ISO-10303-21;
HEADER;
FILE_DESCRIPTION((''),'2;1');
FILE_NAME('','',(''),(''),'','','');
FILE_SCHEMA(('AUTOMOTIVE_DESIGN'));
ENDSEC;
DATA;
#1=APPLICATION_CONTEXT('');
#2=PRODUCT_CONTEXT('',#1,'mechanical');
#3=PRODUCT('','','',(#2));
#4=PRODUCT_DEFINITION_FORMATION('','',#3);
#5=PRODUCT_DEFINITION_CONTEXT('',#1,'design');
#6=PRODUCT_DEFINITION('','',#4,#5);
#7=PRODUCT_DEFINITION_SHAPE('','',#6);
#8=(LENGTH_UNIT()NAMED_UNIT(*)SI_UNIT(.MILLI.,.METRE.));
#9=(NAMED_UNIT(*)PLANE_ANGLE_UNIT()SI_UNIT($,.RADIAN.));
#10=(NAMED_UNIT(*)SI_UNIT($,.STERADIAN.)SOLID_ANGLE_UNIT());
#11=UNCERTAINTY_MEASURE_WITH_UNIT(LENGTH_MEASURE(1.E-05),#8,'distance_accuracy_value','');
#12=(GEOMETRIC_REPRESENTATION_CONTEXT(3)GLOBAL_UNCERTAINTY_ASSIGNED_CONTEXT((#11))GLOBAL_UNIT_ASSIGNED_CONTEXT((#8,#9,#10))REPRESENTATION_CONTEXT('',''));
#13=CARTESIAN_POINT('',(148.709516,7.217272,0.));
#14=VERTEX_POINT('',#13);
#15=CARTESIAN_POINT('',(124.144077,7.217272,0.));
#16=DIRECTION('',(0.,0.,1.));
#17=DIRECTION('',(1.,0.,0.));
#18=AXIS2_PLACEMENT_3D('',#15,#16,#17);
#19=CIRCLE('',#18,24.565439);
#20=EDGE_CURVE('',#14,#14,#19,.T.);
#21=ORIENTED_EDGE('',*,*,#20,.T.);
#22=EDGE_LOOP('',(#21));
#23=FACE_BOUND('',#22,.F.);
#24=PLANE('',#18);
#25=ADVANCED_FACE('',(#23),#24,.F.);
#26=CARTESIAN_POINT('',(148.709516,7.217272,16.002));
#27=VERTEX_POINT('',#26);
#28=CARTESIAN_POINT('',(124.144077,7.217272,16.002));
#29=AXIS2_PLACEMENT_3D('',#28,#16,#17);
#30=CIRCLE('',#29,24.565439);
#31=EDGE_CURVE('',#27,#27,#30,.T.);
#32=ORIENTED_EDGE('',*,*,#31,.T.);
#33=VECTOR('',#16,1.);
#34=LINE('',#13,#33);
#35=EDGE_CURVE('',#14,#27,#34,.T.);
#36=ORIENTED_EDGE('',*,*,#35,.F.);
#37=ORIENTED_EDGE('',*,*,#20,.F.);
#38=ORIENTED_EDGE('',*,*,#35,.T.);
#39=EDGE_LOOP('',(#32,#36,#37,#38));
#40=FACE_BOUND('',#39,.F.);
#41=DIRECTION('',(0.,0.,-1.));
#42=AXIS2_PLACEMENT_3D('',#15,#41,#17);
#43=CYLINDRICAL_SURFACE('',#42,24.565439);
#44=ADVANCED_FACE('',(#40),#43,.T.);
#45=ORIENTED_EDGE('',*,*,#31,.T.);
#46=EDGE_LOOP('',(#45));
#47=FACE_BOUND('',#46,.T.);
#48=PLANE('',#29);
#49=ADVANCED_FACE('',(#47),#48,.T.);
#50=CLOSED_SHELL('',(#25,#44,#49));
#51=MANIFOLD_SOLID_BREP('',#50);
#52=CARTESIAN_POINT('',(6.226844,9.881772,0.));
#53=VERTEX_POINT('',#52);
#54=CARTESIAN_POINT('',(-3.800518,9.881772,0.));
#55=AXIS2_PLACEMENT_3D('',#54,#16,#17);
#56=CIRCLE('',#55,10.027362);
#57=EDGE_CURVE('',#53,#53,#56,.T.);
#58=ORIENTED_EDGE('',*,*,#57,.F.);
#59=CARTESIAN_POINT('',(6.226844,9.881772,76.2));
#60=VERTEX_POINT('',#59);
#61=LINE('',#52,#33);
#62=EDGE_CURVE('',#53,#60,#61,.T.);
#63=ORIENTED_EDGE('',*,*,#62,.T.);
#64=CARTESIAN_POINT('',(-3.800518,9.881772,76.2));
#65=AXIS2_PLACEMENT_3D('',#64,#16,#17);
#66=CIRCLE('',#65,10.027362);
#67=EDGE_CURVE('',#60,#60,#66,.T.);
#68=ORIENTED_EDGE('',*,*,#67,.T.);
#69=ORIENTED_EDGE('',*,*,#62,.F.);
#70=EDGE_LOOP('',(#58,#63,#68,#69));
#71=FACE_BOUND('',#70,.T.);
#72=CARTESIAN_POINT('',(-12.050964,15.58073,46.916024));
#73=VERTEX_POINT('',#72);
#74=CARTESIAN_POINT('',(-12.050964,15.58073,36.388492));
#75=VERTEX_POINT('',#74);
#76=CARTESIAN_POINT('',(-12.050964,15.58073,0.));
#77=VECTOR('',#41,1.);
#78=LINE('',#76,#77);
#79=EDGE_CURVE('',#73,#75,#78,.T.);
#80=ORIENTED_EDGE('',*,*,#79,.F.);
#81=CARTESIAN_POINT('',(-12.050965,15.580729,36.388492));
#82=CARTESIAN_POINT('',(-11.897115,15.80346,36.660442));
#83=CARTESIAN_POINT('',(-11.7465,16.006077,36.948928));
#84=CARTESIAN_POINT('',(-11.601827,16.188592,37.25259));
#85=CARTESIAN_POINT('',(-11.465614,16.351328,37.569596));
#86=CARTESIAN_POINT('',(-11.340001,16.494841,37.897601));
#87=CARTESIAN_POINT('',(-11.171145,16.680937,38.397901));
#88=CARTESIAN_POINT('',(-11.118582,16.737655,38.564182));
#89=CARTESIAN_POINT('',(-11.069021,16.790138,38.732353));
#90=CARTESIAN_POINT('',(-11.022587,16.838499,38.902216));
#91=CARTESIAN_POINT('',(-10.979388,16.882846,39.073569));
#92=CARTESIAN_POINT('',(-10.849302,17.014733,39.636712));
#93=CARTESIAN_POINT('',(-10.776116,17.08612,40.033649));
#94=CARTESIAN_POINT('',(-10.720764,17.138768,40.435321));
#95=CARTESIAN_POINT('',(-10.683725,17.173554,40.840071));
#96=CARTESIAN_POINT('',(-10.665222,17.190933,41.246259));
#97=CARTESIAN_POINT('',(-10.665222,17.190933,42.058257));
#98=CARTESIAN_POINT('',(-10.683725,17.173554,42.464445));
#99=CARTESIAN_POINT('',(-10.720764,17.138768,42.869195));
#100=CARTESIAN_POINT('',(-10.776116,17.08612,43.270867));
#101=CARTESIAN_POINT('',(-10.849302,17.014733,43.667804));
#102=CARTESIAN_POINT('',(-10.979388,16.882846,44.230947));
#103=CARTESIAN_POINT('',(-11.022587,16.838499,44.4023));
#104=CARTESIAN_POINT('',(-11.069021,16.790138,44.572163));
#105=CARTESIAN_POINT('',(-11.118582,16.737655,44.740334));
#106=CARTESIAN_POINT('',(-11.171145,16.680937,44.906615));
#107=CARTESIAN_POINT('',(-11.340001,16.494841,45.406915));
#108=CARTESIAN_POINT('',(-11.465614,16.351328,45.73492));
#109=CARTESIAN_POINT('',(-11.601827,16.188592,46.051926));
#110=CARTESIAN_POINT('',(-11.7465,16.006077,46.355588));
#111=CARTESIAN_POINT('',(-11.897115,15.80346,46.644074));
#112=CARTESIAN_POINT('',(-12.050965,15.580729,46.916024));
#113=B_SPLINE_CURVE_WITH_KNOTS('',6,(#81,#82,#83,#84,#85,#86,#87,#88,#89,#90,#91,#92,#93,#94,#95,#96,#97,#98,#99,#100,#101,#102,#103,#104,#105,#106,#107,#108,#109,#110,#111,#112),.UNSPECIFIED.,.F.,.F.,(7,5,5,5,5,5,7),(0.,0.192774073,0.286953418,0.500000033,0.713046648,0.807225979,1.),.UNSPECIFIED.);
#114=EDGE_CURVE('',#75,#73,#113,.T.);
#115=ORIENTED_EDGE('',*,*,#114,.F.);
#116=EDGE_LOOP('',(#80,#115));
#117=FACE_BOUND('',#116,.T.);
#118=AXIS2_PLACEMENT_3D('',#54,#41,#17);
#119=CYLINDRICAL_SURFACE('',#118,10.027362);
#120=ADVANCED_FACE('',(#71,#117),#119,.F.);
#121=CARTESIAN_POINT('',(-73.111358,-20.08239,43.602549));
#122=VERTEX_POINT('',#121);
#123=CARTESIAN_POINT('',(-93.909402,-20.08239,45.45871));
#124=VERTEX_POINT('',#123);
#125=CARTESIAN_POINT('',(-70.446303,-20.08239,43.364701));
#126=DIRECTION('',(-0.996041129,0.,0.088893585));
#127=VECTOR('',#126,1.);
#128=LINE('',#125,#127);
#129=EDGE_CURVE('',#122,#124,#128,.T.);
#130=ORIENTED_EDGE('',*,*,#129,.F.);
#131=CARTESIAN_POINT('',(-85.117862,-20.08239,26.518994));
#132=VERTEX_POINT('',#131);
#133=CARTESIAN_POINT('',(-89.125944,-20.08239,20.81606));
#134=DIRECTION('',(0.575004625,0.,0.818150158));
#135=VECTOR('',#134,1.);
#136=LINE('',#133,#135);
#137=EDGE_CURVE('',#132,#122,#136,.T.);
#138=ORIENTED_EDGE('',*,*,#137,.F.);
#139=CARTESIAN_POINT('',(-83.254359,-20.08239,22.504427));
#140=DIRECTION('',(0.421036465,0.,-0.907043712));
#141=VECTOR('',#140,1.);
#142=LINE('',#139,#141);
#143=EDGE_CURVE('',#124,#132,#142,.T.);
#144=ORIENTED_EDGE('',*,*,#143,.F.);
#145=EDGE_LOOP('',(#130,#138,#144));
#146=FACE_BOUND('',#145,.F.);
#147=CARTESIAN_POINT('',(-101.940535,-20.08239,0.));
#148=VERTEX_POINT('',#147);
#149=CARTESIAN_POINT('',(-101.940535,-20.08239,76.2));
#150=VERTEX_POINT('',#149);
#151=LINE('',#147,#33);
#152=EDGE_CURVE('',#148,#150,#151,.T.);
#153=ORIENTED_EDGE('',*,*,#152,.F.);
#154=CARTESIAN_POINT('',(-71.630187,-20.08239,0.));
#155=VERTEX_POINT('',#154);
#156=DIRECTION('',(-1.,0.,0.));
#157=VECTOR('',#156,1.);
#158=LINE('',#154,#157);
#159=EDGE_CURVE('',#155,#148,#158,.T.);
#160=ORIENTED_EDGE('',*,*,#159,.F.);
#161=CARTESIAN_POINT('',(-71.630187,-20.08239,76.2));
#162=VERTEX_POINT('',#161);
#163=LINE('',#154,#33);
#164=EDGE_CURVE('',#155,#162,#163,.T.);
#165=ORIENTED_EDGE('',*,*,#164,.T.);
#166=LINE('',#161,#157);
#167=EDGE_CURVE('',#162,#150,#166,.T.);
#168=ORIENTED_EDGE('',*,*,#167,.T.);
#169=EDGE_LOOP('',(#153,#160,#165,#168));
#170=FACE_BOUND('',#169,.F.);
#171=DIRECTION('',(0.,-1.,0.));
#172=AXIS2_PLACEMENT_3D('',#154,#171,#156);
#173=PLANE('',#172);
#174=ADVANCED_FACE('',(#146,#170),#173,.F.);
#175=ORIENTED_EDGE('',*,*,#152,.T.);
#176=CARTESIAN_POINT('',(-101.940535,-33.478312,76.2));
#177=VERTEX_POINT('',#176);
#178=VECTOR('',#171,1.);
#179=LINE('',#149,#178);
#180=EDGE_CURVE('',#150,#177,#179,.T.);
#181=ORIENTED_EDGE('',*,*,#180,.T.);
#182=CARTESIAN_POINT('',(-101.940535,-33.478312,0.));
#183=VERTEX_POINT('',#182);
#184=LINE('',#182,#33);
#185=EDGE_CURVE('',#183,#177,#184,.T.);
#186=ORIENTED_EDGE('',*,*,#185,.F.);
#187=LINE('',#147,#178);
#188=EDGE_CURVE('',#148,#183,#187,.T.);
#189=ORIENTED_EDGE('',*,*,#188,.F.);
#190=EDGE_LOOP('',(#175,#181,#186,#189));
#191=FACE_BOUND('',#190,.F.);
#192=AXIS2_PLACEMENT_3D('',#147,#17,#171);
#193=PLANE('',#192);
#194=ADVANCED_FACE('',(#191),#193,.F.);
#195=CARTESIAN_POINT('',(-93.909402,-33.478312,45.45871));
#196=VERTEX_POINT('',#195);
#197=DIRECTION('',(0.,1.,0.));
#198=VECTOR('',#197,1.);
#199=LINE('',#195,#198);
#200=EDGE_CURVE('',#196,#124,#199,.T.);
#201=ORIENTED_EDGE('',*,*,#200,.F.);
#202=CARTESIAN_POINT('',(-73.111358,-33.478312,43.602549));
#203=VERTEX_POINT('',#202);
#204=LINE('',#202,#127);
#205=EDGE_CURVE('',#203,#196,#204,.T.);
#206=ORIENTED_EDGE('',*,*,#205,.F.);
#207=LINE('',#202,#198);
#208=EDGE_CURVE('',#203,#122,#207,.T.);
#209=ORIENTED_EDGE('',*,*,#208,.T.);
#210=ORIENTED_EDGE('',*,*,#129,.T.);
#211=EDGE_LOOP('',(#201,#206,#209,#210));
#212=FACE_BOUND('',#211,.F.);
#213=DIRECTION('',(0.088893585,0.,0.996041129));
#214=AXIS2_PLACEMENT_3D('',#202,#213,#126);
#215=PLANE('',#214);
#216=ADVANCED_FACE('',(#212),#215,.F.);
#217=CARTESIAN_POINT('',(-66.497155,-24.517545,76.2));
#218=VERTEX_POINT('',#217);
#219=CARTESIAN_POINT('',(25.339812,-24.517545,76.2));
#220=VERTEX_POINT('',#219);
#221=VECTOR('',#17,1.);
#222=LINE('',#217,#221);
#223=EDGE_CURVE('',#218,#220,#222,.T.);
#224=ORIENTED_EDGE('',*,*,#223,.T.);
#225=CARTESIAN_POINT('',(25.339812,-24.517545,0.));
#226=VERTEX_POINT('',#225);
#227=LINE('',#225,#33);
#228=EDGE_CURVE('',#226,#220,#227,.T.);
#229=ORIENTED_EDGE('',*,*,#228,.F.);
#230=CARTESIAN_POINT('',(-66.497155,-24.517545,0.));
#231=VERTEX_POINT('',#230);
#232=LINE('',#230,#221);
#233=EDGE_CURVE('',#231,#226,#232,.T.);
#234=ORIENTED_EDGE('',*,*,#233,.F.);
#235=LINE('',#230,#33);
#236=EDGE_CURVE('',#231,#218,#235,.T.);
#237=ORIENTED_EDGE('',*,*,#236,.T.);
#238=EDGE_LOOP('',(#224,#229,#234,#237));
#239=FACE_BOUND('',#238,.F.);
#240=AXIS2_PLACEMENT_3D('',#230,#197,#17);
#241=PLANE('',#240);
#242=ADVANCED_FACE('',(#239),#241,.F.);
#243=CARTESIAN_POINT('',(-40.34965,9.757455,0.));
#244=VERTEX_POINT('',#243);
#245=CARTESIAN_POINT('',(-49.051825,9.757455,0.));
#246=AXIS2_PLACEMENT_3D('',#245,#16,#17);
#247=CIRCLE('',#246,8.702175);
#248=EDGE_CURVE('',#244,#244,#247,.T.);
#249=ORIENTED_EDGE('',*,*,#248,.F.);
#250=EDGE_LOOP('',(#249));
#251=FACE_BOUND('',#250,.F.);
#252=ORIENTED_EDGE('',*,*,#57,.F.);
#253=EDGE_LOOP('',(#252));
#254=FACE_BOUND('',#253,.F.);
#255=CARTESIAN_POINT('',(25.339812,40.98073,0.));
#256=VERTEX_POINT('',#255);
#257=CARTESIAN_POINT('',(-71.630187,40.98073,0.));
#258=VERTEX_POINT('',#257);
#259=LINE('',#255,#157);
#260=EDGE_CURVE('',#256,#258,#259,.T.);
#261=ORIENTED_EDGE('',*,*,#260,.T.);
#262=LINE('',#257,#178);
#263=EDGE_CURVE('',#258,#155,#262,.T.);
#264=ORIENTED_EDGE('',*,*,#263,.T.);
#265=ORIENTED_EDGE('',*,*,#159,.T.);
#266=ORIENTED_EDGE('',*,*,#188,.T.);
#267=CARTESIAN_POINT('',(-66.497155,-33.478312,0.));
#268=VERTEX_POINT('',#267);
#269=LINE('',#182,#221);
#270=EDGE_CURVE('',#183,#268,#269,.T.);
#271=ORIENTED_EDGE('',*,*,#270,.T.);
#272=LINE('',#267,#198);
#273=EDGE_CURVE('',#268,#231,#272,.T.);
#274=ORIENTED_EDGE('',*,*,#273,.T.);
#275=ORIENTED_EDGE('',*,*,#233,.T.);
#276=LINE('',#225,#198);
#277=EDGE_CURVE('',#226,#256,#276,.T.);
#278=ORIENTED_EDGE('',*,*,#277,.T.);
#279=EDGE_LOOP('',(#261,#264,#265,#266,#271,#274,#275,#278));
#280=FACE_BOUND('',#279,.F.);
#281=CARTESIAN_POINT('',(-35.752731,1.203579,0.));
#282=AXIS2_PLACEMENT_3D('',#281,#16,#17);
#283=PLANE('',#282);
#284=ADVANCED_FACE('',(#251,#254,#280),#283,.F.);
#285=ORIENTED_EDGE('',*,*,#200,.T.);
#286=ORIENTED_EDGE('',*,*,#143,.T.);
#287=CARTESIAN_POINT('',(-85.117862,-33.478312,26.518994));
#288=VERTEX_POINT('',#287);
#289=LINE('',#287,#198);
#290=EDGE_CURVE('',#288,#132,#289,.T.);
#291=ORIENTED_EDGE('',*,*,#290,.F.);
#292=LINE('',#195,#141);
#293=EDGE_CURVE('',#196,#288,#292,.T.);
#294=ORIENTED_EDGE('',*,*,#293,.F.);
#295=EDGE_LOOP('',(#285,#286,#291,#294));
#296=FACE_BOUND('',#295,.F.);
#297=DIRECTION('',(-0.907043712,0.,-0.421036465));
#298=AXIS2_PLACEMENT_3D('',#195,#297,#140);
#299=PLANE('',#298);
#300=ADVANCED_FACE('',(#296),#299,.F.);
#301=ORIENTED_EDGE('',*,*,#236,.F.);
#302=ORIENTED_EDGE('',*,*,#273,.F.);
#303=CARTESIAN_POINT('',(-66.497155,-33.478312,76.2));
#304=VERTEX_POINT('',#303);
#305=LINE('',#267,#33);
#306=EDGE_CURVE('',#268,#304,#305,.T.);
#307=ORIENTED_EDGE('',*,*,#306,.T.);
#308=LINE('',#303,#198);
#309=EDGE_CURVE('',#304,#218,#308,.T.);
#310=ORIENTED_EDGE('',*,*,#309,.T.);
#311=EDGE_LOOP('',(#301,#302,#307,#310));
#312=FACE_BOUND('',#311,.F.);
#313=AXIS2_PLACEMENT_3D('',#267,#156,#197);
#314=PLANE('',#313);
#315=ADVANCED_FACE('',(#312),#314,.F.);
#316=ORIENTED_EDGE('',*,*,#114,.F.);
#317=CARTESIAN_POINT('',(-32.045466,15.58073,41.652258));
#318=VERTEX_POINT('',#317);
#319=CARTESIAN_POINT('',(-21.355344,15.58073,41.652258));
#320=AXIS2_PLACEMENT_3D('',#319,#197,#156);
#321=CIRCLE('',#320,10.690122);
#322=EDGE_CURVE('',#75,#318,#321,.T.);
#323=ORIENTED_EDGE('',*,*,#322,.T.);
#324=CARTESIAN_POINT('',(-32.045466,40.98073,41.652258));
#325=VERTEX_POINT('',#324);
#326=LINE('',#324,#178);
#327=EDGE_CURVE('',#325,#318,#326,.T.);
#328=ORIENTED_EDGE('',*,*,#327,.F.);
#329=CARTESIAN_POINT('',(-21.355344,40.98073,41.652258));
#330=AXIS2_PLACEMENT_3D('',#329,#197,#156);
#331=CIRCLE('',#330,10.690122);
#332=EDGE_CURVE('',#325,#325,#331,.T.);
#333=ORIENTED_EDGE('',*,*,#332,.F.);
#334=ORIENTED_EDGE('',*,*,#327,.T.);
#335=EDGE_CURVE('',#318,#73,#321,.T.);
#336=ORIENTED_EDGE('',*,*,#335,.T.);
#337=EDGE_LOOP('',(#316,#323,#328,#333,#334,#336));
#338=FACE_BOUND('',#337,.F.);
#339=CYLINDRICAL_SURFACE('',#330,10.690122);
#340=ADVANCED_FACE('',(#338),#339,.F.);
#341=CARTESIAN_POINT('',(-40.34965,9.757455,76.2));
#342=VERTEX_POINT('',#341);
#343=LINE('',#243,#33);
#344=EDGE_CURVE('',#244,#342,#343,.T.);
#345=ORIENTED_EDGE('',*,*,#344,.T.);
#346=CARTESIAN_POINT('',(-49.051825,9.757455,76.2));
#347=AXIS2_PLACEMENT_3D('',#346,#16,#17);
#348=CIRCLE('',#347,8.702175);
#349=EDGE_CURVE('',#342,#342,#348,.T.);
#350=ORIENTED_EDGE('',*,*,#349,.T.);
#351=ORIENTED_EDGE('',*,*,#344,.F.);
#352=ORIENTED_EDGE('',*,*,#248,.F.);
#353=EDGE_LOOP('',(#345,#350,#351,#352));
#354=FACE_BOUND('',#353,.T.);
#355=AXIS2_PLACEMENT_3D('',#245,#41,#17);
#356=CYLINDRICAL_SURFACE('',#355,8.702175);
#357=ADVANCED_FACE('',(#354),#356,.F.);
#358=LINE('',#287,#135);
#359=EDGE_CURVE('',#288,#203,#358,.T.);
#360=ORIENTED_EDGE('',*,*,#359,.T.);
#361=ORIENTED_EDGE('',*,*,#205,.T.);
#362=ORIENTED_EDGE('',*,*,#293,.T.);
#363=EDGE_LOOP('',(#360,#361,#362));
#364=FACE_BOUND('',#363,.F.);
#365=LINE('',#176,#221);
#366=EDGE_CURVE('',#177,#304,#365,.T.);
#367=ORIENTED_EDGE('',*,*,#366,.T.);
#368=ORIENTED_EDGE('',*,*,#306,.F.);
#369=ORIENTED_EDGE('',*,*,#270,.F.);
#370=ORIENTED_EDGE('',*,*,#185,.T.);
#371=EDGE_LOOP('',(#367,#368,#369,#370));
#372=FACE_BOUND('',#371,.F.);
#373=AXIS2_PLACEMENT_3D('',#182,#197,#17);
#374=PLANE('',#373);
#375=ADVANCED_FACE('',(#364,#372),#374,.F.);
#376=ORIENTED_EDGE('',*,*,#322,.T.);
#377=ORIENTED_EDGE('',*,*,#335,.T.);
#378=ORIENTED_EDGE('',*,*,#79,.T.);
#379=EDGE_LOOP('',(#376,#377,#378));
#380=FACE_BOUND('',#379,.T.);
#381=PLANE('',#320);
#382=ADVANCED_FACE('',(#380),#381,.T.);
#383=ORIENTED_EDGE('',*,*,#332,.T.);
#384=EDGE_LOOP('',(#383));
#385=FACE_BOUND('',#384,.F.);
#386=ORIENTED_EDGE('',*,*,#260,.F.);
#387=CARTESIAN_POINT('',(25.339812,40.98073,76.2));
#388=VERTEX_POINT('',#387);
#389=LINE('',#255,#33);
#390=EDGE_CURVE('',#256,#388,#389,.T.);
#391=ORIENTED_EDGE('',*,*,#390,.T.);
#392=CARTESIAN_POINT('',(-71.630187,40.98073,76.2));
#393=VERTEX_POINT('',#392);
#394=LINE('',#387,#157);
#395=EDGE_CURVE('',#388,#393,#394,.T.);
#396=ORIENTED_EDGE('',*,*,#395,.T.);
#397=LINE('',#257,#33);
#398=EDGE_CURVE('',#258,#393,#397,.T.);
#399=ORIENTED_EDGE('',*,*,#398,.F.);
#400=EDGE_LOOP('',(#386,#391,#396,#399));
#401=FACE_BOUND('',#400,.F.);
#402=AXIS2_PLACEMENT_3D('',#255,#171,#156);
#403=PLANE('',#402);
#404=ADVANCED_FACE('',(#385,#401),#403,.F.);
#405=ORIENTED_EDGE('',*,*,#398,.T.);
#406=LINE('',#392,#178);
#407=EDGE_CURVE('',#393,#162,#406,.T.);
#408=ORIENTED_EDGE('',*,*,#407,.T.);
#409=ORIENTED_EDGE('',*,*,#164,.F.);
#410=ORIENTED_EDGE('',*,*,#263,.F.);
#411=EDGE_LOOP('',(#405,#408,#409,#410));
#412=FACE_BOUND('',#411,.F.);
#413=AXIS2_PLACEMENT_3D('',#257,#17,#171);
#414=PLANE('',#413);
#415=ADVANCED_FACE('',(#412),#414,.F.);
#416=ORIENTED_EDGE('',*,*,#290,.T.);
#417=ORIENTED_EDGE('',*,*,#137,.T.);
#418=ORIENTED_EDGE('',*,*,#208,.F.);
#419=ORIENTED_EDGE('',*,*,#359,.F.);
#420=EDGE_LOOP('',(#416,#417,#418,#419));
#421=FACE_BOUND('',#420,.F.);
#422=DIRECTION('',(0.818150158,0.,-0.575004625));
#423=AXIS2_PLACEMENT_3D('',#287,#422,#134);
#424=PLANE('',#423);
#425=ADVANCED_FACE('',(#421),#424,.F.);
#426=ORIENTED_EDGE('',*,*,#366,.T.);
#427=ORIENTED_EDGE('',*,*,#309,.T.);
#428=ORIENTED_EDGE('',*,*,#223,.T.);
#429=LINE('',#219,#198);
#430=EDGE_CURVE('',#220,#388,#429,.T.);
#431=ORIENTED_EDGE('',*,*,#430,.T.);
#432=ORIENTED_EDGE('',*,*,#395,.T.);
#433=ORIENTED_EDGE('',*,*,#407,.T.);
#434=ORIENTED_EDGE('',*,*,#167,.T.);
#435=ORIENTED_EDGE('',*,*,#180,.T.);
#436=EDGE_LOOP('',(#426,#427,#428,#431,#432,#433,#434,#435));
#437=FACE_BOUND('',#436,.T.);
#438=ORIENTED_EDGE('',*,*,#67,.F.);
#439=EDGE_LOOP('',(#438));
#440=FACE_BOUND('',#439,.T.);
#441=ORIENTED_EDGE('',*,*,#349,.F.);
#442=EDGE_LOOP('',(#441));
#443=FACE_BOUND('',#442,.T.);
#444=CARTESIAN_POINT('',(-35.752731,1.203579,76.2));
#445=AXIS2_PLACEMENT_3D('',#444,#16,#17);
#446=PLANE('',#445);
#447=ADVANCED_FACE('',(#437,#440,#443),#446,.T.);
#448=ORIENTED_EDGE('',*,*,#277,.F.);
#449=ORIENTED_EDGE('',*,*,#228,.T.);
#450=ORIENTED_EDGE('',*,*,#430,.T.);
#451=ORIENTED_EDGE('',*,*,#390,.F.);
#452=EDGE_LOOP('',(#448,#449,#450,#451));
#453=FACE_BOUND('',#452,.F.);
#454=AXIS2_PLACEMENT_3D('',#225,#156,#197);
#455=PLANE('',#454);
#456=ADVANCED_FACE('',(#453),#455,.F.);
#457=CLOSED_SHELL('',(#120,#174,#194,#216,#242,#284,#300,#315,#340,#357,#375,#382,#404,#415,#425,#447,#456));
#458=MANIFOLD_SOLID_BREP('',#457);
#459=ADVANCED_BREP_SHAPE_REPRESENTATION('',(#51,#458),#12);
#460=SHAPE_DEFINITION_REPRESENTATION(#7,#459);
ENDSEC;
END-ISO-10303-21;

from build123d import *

# Parameters (mm, degrees)
F0_R     = 8.702175
F0_R_2   = 10.027362
F1_DEPTH = 76.2
F3_DEPTH = 49.53
F4_R     = 10.690122
F5_DEPTH = 25.4
F6_R     = 24.565439
F7_DEPTH = 16.002


with BuildPart() as f1:
    # F0 (on Top) → F1 (new body)
    with BuildSketch(Plane.XY):
        Polygon((25.339812, 40.98073), (-71.630187, 40.98073), (-71.630187, -20.08239), (-101.940535, -20.08239), (-101.940535, -33.478312), (-66.497155, -33.478312), (-66.497155, -24.517545), (25.339812, -24.517545), align=None)
        with Locations((-49.051825, 9.757455)):
            Circle(F0_R, mode=Mode.SUBTRACT)
        with Locations((-3.800518, 9.881772)):
            Circle(F0_R_2, mode=Mode.SUBTRACT)
    extrude(amount=F1_DEPTH)

    # F2 (on face) → F3 (cut)
    with BuildSketch(Plane.XZ.offset(33.478312)):
        Polygon((-85.117862, 26.518994), (-73.111358, 43.602549), (-93.909402, 45.45871), align=None)
    extrude(amount=-F3_DEPTH, mode=Mode.SUBTRACT)

    # F4 (on face) → F5 (cut)
    with BuildSketch(Plane(origin=(0, 40.98073, 0), x_dir=(-1, 0, 0), z_dir=(0, 1, 0))):
        with Locations((21.355344, 41.652258)):
            Circle(F4_R)
    extrude(amount=-F5_DEPTH, mode=Mode.SUBTRACT)


with BuildPart() as f7:
    # F6 (on Top) → F7 (new body)
    with BuildSketch(Plane.XY):
        with Locations((124.144077, 7.217272)):
            Circle(F6_R)
    extrude(amount=F7_DEPTH)


solid = Compound([f1.part, f7.part])
